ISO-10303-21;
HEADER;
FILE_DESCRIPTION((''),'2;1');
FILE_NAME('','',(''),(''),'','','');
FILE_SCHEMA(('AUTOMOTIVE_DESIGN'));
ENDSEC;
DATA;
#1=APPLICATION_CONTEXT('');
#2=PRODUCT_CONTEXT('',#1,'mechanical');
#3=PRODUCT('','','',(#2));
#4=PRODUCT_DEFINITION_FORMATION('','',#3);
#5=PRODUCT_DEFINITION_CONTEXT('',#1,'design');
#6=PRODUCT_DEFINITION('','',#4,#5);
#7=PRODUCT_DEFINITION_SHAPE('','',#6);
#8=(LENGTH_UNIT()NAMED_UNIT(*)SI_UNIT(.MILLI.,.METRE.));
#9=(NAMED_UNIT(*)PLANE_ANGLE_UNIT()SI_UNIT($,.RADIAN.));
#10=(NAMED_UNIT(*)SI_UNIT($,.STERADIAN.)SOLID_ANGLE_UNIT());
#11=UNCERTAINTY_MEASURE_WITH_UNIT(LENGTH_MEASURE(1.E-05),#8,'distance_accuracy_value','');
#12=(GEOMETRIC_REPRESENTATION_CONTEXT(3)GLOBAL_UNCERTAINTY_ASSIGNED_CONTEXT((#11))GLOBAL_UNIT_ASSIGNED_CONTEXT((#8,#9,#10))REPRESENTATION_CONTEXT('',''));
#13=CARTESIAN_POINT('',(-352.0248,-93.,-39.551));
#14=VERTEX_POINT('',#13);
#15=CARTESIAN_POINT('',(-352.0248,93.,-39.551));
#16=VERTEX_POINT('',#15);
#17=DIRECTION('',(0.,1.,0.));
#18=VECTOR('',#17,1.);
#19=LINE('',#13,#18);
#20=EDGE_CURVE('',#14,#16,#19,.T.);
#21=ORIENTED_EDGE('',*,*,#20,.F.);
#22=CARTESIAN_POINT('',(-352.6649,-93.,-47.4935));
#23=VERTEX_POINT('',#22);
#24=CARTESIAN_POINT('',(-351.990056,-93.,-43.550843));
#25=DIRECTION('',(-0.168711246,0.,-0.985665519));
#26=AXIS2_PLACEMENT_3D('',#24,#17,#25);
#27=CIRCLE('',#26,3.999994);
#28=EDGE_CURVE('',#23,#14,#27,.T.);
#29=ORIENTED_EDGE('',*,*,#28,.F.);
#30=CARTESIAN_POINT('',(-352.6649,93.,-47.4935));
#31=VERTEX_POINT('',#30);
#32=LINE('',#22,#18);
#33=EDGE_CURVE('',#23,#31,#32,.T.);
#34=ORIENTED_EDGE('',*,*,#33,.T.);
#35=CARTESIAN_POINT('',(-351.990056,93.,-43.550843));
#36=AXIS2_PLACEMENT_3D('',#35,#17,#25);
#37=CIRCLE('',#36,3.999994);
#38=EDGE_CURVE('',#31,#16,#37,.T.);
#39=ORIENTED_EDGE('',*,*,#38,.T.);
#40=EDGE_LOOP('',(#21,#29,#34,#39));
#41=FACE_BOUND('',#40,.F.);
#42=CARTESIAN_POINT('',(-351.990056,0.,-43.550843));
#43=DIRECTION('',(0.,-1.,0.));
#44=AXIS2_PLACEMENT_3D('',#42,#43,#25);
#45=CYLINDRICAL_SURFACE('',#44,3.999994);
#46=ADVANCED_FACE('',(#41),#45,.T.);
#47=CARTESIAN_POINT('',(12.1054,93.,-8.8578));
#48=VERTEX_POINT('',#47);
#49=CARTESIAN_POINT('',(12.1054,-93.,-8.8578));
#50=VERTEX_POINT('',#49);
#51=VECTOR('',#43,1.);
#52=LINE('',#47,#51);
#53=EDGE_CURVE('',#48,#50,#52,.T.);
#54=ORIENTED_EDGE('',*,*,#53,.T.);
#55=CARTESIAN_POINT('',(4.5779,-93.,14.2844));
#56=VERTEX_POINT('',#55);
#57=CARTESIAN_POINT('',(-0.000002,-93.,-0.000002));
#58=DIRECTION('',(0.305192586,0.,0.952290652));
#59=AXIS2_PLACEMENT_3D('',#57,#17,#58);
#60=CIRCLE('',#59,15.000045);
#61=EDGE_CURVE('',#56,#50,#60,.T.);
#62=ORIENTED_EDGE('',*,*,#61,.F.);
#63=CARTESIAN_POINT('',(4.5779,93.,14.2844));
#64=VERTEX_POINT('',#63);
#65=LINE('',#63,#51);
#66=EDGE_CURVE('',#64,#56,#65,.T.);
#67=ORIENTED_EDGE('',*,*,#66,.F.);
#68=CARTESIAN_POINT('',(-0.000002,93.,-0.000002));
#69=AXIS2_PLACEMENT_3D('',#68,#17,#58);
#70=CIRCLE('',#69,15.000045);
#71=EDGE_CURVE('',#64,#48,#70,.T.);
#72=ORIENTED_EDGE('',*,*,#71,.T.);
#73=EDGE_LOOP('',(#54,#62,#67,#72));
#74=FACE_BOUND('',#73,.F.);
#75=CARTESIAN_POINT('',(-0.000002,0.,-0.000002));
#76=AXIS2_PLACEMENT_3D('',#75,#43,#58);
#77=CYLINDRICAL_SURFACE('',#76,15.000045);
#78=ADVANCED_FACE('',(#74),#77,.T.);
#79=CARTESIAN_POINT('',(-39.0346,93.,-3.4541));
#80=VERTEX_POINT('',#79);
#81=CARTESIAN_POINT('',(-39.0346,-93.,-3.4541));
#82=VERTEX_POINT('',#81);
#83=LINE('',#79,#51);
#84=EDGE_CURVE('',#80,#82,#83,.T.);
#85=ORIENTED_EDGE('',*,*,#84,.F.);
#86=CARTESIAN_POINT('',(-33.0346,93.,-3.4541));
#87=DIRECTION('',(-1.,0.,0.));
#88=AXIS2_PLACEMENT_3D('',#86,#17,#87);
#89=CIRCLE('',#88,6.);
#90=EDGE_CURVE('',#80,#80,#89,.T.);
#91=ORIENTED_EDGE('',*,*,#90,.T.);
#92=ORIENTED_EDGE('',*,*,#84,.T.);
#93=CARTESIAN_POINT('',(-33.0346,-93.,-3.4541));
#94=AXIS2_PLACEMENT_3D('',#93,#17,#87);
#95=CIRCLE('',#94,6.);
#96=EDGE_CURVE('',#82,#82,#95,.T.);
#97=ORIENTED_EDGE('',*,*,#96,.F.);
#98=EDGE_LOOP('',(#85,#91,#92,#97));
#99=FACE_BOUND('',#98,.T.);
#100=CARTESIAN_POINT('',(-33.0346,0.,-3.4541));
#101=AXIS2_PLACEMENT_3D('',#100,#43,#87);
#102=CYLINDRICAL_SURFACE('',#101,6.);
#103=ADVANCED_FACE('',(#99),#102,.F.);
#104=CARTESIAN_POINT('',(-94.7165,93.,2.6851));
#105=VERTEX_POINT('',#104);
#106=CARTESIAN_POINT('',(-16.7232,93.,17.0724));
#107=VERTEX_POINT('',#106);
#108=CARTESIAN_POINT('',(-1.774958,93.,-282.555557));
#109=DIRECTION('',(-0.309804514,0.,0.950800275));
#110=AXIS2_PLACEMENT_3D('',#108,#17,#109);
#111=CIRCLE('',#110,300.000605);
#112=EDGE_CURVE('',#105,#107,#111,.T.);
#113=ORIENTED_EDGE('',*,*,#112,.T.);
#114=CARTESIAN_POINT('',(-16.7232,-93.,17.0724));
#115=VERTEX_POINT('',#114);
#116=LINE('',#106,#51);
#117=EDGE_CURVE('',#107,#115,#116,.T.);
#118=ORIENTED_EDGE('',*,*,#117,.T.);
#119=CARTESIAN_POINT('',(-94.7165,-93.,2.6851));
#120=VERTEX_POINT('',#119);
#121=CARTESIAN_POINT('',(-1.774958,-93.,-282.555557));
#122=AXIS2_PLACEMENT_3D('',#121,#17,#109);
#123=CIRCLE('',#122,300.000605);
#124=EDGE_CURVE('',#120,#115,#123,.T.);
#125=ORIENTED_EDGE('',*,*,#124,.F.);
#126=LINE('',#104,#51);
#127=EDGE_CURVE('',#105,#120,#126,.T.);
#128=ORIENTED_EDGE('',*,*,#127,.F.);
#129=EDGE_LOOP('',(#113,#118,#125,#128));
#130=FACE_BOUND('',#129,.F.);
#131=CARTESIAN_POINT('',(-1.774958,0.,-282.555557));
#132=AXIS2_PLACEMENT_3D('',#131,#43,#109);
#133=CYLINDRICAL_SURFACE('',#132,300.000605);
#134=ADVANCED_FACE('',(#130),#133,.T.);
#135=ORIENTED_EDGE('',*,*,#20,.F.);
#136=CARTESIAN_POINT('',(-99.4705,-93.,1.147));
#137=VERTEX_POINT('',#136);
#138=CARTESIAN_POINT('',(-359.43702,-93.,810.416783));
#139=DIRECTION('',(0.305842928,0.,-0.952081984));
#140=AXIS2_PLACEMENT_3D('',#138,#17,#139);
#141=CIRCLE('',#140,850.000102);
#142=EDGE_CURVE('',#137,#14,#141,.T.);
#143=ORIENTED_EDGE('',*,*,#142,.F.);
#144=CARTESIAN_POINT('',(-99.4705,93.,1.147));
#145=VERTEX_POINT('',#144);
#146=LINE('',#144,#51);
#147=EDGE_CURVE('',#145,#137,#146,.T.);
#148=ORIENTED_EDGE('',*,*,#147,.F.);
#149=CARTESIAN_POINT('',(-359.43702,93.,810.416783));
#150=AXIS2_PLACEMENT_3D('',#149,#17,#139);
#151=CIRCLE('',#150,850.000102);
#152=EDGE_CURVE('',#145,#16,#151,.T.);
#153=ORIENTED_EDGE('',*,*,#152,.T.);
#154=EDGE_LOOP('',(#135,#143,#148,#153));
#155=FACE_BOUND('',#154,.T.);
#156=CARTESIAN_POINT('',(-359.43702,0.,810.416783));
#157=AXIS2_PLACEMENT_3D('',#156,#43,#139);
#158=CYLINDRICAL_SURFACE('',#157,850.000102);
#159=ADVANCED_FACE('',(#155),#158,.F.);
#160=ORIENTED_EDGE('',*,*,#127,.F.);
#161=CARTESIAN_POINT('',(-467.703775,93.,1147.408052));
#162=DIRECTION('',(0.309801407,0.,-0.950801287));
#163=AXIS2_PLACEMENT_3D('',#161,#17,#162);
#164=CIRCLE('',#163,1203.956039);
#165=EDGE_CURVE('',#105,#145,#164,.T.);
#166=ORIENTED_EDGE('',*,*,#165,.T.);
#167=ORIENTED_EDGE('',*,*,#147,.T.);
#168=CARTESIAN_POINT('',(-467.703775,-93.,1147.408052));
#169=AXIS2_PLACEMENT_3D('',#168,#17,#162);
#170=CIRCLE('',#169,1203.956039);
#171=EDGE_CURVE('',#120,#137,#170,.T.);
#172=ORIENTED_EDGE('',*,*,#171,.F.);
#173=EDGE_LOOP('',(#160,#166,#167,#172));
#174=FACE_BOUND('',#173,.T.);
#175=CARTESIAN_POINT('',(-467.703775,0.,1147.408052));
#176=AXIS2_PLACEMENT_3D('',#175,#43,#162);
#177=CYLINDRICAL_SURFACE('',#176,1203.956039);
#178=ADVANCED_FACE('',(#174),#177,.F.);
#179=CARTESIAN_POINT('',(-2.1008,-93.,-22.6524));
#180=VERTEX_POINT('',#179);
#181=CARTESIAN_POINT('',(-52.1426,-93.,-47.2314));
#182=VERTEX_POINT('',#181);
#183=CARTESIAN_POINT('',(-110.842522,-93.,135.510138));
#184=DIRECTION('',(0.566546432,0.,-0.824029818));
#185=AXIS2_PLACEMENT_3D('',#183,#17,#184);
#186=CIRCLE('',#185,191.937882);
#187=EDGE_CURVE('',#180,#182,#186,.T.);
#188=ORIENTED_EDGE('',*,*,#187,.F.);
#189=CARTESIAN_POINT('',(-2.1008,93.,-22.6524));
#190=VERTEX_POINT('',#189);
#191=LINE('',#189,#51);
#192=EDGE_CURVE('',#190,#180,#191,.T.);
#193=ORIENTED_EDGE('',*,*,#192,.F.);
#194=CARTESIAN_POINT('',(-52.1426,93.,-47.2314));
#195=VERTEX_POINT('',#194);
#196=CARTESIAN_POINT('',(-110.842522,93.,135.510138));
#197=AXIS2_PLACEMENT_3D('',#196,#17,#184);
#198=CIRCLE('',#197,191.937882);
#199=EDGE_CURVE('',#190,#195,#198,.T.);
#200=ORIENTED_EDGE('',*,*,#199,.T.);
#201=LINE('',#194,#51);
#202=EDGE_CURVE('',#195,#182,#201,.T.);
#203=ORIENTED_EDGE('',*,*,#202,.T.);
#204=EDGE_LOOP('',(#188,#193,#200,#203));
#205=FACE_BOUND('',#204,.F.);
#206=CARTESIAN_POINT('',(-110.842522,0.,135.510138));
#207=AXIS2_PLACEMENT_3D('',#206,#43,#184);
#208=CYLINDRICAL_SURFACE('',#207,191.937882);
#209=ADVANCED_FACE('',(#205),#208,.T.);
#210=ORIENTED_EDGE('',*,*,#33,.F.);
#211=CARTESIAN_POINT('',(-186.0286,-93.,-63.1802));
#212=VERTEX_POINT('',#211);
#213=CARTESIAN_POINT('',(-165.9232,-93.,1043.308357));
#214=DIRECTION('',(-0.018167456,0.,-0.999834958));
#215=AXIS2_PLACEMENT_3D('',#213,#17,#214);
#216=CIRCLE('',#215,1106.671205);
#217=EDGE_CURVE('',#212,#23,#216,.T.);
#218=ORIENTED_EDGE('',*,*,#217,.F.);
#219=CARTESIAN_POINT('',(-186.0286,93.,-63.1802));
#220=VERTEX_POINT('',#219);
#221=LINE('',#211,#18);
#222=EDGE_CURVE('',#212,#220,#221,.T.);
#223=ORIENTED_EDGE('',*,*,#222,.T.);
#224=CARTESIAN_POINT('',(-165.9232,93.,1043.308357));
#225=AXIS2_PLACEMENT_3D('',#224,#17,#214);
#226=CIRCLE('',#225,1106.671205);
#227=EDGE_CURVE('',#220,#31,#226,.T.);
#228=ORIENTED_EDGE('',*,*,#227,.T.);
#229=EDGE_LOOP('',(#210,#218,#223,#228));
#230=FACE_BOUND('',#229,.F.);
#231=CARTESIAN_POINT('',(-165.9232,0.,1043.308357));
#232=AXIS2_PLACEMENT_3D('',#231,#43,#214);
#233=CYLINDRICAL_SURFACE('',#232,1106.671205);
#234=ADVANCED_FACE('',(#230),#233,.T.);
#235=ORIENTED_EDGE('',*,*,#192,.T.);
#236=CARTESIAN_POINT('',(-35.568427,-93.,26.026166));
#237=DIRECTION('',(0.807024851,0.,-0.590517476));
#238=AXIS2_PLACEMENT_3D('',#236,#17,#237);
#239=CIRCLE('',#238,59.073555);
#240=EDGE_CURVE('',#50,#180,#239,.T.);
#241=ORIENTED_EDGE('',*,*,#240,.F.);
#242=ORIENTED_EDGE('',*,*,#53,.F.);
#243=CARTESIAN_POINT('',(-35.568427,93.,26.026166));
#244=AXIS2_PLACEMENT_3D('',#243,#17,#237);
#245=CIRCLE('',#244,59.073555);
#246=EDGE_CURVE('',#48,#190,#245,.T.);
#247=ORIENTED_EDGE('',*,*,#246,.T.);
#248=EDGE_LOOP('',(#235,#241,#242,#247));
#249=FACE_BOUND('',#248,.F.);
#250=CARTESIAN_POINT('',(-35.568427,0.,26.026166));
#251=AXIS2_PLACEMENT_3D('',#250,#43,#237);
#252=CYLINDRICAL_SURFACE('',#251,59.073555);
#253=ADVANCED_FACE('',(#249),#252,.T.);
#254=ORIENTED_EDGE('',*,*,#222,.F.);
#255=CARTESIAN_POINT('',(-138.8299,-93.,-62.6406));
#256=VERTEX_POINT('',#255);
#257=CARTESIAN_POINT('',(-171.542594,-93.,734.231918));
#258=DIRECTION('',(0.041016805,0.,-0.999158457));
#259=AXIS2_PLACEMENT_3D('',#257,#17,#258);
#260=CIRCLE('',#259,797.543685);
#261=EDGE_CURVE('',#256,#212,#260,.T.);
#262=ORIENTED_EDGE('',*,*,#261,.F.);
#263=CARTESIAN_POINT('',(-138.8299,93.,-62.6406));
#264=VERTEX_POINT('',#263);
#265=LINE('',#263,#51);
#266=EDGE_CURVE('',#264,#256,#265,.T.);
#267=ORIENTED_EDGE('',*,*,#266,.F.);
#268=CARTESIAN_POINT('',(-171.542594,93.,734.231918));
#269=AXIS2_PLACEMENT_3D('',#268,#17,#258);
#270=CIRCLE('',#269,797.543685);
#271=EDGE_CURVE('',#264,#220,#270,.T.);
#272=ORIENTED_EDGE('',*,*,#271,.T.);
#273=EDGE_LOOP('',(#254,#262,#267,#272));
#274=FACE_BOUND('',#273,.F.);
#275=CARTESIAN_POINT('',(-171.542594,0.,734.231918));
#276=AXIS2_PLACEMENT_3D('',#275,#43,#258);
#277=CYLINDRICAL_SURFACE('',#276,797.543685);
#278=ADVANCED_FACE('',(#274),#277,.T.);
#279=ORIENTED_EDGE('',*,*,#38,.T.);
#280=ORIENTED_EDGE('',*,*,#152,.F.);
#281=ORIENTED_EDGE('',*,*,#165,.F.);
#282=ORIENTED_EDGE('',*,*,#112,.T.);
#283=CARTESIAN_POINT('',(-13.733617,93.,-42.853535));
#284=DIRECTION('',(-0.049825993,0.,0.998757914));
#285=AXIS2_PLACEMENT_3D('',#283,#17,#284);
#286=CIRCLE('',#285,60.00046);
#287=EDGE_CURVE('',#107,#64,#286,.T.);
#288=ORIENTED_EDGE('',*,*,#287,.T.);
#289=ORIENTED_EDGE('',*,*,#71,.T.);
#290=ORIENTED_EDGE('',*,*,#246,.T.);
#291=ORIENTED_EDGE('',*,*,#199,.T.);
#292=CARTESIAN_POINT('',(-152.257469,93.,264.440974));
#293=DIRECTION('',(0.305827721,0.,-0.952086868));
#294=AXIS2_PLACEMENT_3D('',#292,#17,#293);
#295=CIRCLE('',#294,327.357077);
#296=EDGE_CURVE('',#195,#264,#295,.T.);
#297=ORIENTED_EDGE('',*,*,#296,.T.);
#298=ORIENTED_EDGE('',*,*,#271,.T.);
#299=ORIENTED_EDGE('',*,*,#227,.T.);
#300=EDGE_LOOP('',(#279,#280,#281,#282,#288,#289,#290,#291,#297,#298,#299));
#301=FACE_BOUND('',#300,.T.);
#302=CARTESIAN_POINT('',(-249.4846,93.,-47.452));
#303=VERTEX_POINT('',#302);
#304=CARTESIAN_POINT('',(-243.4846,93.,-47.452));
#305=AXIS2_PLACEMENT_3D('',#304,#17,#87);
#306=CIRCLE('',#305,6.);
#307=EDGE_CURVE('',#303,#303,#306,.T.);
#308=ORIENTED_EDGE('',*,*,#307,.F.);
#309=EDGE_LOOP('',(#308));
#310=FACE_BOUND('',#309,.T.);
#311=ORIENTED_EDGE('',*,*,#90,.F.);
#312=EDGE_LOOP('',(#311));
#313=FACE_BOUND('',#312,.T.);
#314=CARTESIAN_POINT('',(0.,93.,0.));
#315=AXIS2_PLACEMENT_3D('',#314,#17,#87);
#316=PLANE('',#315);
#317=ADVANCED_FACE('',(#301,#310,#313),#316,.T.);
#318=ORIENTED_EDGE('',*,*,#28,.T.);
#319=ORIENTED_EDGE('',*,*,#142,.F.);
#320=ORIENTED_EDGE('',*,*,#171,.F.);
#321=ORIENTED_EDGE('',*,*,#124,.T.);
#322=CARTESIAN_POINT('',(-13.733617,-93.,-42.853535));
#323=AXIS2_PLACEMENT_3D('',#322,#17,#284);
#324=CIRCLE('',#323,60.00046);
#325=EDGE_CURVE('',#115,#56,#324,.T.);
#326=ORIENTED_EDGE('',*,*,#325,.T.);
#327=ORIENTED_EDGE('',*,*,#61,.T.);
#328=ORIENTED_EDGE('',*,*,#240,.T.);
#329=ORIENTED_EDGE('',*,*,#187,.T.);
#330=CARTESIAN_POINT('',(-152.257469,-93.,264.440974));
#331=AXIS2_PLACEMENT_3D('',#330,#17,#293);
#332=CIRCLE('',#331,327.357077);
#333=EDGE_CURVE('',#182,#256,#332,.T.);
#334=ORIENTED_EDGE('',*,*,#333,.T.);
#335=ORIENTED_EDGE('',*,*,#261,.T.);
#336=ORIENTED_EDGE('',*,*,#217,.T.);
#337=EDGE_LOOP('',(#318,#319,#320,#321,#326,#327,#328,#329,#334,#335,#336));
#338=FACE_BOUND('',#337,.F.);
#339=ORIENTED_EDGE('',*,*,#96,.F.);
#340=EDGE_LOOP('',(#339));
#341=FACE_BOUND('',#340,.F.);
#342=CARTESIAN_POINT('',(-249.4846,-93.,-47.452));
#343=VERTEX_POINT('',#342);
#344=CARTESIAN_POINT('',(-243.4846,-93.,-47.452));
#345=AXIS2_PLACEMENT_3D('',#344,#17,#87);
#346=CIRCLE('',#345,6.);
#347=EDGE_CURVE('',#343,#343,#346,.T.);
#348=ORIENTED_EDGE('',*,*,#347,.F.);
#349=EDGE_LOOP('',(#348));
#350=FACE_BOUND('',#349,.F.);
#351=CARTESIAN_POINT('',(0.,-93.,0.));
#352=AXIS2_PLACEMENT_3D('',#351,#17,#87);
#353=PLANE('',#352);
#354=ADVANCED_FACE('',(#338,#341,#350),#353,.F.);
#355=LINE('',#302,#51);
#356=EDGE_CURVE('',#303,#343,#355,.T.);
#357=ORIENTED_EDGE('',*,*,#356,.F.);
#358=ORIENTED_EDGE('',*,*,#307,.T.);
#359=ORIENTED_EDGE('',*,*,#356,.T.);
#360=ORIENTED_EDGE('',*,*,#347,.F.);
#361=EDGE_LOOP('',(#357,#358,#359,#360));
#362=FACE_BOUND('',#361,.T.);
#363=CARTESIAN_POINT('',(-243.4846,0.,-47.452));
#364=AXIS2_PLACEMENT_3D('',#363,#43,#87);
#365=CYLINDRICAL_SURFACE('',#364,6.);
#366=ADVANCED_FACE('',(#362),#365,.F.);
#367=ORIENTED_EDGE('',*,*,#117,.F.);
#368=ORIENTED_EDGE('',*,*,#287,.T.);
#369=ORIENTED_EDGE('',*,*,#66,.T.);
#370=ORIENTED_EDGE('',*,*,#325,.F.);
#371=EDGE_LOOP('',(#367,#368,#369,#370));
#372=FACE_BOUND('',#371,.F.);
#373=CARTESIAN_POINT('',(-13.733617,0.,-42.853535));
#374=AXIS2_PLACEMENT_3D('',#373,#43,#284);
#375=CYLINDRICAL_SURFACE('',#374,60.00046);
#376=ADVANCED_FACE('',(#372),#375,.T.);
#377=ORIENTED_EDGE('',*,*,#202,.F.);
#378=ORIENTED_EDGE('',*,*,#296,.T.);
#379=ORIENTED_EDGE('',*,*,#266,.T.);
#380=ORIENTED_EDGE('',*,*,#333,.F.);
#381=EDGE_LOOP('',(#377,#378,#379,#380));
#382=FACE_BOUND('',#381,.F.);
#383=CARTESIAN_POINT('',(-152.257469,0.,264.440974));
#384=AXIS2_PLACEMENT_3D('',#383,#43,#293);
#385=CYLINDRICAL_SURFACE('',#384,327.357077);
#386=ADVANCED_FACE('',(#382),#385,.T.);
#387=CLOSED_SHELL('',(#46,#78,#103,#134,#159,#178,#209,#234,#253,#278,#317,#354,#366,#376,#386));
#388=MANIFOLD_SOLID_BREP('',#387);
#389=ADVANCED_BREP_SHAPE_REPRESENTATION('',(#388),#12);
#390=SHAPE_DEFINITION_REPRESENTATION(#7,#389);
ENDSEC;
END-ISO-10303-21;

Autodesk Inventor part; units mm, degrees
ref_plane "YZ Plane" through (0, 0, 0) normal (1, 0, 0) x (0, 1, 0)
ref_plane "XZ Plane" through (0, 0, 0) normal (0, 1, 0) x (-1, 0, 0)
ref_plane "XY Plane" through (0, 0, 0) normal (0, 0, 1) x (1, 0, 0)
sketch "スケッチ2" plane through (0, 0, 0) normal (0, 1, 0) x (-1, 0, 0)
  arc A0 (186.0286, -63.1802) -> (352.6649, -47.4935) centre (165.9229, 1043.3137) ccw projected
  arc A1 (138.8299, -62.6406) -> (186.0286, -63.1802) centre (171.5405, 734.1521) ccw projected
  arc A2 (52.1426, -47.2314) -> (138.8299, -62.6406) centre (152.2575, 264.4411) ccw projected
  arc A3 (2.1008, -22.6524) -> (52.1426, -47.2314) centre (110.8425, 135.5101) ccw projected
  arc A4 (-12.1054, -8.8578) -> (2.1008, -22.6524) centre (35.5695, 26.0271) ccw projected
  arc A5 (-4.5779, 14.2844) -> (-12.1054, -8.8578) centre (0, 0) ccw projected
  arc A6 (16.7232, 17.0724) -> (-4.5779, 14.2844) centre (13.7336, -42.8531) ccw projected
  arc A7 (94.7165, 2.6851) -> (16.7232, 17.0724) centre (1.7751, -282.555) ccw projected
  arc A8 (94.7165, 2.6851) -> (99.4705, 1.147) centre (466.4821, 1143.6454) ccw projected
  arc A9 (99.4705, 1.147) -> (352.0248, -39.551) centre (359.437, 810.4167) ccw projected
  arc A10 (352.6649, -47.4935) -> (352.0248, -39.551) centre (351.99, -43.5508) ccw projected
  circle A11 centre (33.0346, -3.4541) radius 6 projected
  circle A12 centre (243.4846, -47.452) radius 6 projected
  point P0 (0, 0)
extrude "押し出し2" add sketch "スケッチ2" along normal mid plane 186
properties part number "mainflap"
